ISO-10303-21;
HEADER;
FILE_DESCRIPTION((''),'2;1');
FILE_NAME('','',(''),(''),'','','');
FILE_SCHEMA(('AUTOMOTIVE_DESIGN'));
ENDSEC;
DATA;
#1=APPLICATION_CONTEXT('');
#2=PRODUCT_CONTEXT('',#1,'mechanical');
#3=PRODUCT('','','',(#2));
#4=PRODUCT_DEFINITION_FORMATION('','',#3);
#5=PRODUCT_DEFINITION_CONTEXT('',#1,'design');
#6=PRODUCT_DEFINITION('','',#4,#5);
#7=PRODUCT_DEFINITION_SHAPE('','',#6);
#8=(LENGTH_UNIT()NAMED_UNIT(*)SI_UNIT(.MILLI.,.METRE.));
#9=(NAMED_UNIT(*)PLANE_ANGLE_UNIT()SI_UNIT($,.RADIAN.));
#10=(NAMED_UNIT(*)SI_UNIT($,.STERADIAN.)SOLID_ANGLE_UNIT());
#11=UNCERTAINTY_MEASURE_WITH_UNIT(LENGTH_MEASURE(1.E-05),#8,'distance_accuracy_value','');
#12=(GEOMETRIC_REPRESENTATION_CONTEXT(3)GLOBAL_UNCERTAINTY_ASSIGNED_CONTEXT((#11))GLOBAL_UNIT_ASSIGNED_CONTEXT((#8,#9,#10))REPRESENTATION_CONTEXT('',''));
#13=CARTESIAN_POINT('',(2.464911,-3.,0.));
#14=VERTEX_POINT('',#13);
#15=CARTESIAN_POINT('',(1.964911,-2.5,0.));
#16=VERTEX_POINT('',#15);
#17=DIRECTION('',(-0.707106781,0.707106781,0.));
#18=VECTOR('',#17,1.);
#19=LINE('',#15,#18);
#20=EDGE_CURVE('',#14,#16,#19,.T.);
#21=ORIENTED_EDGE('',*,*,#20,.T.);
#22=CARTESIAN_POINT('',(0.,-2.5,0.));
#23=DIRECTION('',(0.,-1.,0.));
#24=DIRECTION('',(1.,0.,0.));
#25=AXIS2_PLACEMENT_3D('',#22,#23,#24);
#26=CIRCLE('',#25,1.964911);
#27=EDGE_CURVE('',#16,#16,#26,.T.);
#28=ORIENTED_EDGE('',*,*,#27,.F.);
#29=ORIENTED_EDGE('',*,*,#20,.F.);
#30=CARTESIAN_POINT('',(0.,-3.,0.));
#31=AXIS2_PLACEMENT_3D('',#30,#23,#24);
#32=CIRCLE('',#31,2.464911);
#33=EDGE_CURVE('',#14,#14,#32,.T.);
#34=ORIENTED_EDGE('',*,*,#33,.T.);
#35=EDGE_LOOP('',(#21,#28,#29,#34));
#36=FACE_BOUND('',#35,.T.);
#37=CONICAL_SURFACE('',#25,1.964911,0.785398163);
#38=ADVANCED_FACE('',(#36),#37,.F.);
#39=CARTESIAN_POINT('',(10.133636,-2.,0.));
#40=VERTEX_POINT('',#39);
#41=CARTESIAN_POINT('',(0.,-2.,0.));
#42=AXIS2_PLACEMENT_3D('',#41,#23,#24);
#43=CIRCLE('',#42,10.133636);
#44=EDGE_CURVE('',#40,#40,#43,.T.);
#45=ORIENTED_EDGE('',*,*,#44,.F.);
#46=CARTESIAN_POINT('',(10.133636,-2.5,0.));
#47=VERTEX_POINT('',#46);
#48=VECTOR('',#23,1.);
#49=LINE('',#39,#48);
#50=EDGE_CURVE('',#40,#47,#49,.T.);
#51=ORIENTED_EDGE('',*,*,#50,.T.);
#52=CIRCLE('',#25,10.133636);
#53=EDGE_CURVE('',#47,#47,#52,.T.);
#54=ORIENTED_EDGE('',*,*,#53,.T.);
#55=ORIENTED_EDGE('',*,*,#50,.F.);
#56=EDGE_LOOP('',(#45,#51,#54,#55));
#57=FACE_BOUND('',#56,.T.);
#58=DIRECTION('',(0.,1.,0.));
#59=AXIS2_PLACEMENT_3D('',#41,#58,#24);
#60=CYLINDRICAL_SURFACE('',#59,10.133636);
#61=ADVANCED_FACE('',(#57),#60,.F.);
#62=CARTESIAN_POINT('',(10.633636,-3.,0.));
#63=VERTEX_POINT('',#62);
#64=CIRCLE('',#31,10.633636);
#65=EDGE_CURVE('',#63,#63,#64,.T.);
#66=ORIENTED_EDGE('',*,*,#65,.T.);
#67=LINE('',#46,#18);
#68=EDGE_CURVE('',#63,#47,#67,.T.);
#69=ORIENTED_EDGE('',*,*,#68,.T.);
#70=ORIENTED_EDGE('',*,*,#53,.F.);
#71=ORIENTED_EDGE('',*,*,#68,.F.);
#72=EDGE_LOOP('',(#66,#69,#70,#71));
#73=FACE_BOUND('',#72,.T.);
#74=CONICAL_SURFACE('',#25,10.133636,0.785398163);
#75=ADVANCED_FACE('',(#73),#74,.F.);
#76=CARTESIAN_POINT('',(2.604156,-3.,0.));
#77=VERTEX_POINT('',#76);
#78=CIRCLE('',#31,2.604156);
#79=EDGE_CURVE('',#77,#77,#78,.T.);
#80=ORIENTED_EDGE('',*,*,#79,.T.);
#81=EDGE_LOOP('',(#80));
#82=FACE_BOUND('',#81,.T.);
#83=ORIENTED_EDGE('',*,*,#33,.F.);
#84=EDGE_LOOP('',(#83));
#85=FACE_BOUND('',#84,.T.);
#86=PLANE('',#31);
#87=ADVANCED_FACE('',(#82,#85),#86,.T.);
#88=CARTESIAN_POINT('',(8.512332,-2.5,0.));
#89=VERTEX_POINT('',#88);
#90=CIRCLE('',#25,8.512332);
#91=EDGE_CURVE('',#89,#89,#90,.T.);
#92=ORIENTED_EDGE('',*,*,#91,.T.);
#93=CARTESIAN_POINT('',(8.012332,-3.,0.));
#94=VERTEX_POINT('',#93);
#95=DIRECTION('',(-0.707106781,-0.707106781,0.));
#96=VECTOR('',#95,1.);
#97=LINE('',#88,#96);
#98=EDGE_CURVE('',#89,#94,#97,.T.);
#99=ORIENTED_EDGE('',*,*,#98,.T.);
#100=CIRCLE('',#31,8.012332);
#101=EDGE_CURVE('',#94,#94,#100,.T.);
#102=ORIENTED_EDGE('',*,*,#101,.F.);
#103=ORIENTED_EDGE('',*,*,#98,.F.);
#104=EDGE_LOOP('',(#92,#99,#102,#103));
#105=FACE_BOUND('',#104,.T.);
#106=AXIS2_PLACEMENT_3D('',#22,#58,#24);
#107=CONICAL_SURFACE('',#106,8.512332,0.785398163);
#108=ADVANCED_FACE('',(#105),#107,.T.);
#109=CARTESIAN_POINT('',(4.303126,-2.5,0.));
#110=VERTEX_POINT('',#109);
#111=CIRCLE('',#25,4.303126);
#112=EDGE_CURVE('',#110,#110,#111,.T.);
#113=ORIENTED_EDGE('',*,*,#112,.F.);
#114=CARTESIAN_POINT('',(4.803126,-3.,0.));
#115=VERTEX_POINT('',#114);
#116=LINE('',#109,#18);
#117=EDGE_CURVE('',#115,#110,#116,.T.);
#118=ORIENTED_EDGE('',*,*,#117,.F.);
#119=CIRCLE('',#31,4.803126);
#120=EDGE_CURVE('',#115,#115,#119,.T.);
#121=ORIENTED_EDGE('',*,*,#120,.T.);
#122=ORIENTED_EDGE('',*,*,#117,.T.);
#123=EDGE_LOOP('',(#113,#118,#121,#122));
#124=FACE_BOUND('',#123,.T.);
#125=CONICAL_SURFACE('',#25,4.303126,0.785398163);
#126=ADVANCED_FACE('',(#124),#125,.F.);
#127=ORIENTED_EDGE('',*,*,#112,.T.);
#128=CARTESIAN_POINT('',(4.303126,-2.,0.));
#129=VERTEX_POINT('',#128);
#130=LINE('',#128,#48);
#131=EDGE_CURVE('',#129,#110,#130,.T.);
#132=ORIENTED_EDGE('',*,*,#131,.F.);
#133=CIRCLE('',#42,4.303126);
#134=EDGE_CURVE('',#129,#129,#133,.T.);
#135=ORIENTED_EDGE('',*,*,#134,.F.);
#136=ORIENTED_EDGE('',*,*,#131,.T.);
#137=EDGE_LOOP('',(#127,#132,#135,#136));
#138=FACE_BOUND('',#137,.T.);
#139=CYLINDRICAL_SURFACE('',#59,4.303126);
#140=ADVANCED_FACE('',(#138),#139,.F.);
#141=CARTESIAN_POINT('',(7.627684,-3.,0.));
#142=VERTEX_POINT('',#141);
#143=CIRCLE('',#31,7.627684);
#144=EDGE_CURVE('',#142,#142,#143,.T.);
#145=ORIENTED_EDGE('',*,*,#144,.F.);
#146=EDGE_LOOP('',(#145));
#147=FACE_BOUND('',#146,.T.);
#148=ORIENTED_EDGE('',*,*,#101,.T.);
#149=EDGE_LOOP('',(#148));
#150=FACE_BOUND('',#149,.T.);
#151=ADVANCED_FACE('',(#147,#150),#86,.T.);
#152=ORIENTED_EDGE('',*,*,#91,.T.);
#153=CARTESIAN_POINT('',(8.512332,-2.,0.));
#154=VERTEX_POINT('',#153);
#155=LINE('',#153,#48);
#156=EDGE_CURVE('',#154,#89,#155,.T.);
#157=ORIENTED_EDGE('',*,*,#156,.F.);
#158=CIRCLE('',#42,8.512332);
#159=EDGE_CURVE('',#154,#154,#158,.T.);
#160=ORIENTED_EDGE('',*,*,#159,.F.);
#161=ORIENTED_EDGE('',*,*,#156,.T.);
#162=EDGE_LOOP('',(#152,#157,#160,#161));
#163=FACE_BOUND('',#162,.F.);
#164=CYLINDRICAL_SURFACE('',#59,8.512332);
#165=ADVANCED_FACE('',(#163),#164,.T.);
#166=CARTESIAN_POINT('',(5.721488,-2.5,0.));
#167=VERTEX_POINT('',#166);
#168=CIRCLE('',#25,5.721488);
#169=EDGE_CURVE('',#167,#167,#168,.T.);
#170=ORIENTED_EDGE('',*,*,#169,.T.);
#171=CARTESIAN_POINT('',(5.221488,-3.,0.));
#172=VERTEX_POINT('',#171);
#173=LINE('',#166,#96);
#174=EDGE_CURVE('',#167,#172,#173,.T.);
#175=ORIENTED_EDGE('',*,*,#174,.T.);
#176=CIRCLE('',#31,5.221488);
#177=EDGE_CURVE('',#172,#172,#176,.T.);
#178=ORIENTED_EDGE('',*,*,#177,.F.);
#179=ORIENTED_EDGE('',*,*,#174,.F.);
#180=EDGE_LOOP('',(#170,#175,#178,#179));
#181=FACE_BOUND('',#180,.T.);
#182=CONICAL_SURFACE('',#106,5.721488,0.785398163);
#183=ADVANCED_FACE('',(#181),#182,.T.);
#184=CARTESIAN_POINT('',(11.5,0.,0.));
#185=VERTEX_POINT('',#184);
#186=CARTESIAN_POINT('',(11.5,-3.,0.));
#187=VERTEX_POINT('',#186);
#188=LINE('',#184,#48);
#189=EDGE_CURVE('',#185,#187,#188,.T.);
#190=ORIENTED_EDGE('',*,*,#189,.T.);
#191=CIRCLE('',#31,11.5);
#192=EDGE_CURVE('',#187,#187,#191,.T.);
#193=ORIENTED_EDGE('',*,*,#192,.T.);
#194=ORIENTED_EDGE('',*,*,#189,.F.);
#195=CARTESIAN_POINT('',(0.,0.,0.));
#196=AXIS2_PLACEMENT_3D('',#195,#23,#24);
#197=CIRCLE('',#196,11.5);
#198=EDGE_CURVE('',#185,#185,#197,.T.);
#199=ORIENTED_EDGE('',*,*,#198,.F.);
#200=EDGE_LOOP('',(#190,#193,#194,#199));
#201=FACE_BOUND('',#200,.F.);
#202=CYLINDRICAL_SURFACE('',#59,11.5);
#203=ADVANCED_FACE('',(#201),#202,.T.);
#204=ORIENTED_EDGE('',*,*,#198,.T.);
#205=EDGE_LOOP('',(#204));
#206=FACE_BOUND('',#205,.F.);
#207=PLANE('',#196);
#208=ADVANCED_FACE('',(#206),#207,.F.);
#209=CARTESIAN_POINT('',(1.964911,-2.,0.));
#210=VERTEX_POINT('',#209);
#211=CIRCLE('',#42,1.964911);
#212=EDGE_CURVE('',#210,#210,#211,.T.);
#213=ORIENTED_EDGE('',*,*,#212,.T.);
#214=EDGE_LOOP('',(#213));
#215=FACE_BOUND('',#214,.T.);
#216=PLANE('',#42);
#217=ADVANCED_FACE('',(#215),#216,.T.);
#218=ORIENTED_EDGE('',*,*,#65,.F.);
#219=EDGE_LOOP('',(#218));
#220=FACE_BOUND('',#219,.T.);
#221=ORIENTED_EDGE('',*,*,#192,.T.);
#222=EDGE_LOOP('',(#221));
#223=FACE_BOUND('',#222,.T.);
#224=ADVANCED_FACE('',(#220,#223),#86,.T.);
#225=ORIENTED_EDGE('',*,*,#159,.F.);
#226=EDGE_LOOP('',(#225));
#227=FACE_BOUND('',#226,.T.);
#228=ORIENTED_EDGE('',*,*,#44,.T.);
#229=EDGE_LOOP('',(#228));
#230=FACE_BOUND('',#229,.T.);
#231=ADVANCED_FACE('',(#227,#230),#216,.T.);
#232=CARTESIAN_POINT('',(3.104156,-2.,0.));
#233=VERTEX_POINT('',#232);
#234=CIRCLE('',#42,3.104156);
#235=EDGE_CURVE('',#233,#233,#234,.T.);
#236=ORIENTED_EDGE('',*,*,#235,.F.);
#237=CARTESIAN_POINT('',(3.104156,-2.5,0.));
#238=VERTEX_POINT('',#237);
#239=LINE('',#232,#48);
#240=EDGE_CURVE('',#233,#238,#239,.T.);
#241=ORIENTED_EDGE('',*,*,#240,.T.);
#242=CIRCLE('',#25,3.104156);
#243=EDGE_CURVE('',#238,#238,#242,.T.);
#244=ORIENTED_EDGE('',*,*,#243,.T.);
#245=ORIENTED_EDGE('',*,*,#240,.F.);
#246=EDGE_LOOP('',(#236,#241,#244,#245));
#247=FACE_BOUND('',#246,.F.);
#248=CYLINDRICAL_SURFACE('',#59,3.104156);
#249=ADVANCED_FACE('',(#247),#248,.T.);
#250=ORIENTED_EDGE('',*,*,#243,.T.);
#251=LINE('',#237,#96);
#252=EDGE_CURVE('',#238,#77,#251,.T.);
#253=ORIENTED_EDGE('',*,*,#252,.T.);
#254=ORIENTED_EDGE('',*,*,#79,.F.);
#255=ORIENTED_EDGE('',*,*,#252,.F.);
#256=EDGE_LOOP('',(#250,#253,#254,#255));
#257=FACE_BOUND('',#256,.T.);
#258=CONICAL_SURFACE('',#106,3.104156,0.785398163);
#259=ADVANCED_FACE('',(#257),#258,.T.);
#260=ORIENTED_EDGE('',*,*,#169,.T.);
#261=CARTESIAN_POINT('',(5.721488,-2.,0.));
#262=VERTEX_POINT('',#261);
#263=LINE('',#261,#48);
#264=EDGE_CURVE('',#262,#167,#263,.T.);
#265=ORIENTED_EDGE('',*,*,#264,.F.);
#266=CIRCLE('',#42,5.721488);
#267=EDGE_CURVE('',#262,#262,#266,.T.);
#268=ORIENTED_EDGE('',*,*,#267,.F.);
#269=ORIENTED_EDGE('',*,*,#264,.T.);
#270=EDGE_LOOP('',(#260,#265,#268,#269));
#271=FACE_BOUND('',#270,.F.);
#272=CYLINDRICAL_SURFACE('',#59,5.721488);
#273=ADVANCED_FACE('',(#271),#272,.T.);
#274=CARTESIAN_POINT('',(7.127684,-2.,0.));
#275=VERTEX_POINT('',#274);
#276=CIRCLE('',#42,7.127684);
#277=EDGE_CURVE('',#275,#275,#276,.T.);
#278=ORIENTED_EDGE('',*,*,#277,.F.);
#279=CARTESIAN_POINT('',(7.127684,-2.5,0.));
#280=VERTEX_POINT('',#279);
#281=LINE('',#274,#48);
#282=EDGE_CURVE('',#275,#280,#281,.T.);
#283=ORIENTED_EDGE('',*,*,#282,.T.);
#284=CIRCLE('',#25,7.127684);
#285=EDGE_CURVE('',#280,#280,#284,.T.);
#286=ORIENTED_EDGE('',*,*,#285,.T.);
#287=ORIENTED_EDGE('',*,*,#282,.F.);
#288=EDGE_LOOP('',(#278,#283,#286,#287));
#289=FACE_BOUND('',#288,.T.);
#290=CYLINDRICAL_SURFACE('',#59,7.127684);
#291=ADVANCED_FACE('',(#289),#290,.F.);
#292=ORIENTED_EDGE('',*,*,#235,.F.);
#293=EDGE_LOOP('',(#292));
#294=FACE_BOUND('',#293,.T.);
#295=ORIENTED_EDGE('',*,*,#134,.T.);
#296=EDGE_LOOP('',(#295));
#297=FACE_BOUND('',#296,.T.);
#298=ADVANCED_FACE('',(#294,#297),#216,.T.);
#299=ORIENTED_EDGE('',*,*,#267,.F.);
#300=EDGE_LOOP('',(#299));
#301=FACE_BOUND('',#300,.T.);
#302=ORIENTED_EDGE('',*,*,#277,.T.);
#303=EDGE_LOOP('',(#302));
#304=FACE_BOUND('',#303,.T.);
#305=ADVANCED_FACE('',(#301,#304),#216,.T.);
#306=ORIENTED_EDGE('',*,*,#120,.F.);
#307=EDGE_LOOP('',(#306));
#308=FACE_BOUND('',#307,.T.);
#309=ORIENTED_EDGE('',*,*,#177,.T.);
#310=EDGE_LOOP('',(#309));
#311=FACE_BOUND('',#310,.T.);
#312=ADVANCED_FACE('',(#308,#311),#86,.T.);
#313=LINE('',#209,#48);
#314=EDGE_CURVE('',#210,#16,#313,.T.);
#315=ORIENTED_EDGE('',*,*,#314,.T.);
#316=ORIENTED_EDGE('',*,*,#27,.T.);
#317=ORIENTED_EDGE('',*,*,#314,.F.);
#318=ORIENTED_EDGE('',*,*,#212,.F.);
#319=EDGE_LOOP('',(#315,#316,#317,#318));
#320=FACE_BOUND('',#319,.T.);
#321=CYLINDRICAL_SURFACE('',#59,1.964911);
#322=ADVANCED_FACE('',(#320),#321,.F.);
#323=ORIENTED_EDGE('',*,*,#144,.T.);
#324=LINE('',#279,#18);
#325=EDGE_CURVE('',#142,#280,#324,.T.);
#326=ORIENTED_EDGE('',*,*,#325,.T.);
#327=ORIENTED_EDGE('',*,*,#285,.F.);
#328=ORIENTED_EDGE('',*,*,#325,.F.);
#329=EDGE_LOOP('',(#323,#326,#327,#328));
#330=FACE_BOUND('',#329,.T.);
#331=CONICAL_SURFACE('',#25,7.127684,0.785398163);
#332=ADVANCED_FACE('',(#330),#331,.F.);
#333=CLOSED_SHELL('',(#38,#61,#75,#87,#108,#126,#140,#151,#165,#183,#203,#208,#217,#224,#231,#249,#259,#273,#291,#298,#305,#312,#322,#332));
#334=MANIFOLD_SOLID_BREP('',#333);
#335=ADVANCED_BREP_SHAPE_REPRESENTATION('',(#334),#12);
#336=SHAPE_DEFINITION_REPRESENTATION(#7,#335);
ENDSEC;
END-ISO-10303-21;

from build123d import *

# Parameters (mm, degrees)
F0_R     = 11.5
F1_DEPTH = 2
F2_R     = 11.5
F2_R_2   = 10.133636
F2_R_3   = 8.512332
F2_R_4   = 7.127684
F2_R_5   = 5.721488
F2_R_6   = 4.303126
F2_R_7   = 3.104156
F2_R_8   = 1.964911
F3_DEPTH = 1
F4_SIZE  = 0.5
F5_SIZE  = 0.5


with BuildPart() as f1:
    # F0 (on Front) → F1 (new body)
    with BuildSketch(Plane.XZ):
        Circle(F0_R)
    extrude(amount=F1_DEPTH)

    # F2 (on face) → F3 (join)
    with BuildSketch(Plane.XZ.offset(2)):
        Circle(F2_R)
        Circle(F2_R_2, mode=Mode.SUBTRACT)
        Circle(F2_R_3)
        Circle(F2_R_4, mode=Mode.SUBTRACT)
        Circle(F2_R_5)
        Circle(F2_R_6, mode=Mode.SUBTRACT)
        Circle(F2_R_7)
        Circle(F2_R_8, mode=Mode.SUBTRACT)
    extrude(amount=F3_DEPTH)

    # F4
    f4_edges = [f1.edges().sort_by_distance(p)[0] for p in [
        (-1.964911, -3, 0),
        (-4.303126, -3, 0),
        (-7.127684, -3, 0),
        (-10.133636, -3, 0),
    ]]
    chamfer(f4_edges, length=F4_SIZE)

    # F5
    f5_edges = [f1.edges().sort_by_distance(p)[0] for p in [
        (-3.104156, -3, 0),
        (-5.721488, -3, 0),
        (-8.512332, -3, 0),
    ]]
    chamfer(f5_edges, length=F5_SIZE)


solid = f1.part
